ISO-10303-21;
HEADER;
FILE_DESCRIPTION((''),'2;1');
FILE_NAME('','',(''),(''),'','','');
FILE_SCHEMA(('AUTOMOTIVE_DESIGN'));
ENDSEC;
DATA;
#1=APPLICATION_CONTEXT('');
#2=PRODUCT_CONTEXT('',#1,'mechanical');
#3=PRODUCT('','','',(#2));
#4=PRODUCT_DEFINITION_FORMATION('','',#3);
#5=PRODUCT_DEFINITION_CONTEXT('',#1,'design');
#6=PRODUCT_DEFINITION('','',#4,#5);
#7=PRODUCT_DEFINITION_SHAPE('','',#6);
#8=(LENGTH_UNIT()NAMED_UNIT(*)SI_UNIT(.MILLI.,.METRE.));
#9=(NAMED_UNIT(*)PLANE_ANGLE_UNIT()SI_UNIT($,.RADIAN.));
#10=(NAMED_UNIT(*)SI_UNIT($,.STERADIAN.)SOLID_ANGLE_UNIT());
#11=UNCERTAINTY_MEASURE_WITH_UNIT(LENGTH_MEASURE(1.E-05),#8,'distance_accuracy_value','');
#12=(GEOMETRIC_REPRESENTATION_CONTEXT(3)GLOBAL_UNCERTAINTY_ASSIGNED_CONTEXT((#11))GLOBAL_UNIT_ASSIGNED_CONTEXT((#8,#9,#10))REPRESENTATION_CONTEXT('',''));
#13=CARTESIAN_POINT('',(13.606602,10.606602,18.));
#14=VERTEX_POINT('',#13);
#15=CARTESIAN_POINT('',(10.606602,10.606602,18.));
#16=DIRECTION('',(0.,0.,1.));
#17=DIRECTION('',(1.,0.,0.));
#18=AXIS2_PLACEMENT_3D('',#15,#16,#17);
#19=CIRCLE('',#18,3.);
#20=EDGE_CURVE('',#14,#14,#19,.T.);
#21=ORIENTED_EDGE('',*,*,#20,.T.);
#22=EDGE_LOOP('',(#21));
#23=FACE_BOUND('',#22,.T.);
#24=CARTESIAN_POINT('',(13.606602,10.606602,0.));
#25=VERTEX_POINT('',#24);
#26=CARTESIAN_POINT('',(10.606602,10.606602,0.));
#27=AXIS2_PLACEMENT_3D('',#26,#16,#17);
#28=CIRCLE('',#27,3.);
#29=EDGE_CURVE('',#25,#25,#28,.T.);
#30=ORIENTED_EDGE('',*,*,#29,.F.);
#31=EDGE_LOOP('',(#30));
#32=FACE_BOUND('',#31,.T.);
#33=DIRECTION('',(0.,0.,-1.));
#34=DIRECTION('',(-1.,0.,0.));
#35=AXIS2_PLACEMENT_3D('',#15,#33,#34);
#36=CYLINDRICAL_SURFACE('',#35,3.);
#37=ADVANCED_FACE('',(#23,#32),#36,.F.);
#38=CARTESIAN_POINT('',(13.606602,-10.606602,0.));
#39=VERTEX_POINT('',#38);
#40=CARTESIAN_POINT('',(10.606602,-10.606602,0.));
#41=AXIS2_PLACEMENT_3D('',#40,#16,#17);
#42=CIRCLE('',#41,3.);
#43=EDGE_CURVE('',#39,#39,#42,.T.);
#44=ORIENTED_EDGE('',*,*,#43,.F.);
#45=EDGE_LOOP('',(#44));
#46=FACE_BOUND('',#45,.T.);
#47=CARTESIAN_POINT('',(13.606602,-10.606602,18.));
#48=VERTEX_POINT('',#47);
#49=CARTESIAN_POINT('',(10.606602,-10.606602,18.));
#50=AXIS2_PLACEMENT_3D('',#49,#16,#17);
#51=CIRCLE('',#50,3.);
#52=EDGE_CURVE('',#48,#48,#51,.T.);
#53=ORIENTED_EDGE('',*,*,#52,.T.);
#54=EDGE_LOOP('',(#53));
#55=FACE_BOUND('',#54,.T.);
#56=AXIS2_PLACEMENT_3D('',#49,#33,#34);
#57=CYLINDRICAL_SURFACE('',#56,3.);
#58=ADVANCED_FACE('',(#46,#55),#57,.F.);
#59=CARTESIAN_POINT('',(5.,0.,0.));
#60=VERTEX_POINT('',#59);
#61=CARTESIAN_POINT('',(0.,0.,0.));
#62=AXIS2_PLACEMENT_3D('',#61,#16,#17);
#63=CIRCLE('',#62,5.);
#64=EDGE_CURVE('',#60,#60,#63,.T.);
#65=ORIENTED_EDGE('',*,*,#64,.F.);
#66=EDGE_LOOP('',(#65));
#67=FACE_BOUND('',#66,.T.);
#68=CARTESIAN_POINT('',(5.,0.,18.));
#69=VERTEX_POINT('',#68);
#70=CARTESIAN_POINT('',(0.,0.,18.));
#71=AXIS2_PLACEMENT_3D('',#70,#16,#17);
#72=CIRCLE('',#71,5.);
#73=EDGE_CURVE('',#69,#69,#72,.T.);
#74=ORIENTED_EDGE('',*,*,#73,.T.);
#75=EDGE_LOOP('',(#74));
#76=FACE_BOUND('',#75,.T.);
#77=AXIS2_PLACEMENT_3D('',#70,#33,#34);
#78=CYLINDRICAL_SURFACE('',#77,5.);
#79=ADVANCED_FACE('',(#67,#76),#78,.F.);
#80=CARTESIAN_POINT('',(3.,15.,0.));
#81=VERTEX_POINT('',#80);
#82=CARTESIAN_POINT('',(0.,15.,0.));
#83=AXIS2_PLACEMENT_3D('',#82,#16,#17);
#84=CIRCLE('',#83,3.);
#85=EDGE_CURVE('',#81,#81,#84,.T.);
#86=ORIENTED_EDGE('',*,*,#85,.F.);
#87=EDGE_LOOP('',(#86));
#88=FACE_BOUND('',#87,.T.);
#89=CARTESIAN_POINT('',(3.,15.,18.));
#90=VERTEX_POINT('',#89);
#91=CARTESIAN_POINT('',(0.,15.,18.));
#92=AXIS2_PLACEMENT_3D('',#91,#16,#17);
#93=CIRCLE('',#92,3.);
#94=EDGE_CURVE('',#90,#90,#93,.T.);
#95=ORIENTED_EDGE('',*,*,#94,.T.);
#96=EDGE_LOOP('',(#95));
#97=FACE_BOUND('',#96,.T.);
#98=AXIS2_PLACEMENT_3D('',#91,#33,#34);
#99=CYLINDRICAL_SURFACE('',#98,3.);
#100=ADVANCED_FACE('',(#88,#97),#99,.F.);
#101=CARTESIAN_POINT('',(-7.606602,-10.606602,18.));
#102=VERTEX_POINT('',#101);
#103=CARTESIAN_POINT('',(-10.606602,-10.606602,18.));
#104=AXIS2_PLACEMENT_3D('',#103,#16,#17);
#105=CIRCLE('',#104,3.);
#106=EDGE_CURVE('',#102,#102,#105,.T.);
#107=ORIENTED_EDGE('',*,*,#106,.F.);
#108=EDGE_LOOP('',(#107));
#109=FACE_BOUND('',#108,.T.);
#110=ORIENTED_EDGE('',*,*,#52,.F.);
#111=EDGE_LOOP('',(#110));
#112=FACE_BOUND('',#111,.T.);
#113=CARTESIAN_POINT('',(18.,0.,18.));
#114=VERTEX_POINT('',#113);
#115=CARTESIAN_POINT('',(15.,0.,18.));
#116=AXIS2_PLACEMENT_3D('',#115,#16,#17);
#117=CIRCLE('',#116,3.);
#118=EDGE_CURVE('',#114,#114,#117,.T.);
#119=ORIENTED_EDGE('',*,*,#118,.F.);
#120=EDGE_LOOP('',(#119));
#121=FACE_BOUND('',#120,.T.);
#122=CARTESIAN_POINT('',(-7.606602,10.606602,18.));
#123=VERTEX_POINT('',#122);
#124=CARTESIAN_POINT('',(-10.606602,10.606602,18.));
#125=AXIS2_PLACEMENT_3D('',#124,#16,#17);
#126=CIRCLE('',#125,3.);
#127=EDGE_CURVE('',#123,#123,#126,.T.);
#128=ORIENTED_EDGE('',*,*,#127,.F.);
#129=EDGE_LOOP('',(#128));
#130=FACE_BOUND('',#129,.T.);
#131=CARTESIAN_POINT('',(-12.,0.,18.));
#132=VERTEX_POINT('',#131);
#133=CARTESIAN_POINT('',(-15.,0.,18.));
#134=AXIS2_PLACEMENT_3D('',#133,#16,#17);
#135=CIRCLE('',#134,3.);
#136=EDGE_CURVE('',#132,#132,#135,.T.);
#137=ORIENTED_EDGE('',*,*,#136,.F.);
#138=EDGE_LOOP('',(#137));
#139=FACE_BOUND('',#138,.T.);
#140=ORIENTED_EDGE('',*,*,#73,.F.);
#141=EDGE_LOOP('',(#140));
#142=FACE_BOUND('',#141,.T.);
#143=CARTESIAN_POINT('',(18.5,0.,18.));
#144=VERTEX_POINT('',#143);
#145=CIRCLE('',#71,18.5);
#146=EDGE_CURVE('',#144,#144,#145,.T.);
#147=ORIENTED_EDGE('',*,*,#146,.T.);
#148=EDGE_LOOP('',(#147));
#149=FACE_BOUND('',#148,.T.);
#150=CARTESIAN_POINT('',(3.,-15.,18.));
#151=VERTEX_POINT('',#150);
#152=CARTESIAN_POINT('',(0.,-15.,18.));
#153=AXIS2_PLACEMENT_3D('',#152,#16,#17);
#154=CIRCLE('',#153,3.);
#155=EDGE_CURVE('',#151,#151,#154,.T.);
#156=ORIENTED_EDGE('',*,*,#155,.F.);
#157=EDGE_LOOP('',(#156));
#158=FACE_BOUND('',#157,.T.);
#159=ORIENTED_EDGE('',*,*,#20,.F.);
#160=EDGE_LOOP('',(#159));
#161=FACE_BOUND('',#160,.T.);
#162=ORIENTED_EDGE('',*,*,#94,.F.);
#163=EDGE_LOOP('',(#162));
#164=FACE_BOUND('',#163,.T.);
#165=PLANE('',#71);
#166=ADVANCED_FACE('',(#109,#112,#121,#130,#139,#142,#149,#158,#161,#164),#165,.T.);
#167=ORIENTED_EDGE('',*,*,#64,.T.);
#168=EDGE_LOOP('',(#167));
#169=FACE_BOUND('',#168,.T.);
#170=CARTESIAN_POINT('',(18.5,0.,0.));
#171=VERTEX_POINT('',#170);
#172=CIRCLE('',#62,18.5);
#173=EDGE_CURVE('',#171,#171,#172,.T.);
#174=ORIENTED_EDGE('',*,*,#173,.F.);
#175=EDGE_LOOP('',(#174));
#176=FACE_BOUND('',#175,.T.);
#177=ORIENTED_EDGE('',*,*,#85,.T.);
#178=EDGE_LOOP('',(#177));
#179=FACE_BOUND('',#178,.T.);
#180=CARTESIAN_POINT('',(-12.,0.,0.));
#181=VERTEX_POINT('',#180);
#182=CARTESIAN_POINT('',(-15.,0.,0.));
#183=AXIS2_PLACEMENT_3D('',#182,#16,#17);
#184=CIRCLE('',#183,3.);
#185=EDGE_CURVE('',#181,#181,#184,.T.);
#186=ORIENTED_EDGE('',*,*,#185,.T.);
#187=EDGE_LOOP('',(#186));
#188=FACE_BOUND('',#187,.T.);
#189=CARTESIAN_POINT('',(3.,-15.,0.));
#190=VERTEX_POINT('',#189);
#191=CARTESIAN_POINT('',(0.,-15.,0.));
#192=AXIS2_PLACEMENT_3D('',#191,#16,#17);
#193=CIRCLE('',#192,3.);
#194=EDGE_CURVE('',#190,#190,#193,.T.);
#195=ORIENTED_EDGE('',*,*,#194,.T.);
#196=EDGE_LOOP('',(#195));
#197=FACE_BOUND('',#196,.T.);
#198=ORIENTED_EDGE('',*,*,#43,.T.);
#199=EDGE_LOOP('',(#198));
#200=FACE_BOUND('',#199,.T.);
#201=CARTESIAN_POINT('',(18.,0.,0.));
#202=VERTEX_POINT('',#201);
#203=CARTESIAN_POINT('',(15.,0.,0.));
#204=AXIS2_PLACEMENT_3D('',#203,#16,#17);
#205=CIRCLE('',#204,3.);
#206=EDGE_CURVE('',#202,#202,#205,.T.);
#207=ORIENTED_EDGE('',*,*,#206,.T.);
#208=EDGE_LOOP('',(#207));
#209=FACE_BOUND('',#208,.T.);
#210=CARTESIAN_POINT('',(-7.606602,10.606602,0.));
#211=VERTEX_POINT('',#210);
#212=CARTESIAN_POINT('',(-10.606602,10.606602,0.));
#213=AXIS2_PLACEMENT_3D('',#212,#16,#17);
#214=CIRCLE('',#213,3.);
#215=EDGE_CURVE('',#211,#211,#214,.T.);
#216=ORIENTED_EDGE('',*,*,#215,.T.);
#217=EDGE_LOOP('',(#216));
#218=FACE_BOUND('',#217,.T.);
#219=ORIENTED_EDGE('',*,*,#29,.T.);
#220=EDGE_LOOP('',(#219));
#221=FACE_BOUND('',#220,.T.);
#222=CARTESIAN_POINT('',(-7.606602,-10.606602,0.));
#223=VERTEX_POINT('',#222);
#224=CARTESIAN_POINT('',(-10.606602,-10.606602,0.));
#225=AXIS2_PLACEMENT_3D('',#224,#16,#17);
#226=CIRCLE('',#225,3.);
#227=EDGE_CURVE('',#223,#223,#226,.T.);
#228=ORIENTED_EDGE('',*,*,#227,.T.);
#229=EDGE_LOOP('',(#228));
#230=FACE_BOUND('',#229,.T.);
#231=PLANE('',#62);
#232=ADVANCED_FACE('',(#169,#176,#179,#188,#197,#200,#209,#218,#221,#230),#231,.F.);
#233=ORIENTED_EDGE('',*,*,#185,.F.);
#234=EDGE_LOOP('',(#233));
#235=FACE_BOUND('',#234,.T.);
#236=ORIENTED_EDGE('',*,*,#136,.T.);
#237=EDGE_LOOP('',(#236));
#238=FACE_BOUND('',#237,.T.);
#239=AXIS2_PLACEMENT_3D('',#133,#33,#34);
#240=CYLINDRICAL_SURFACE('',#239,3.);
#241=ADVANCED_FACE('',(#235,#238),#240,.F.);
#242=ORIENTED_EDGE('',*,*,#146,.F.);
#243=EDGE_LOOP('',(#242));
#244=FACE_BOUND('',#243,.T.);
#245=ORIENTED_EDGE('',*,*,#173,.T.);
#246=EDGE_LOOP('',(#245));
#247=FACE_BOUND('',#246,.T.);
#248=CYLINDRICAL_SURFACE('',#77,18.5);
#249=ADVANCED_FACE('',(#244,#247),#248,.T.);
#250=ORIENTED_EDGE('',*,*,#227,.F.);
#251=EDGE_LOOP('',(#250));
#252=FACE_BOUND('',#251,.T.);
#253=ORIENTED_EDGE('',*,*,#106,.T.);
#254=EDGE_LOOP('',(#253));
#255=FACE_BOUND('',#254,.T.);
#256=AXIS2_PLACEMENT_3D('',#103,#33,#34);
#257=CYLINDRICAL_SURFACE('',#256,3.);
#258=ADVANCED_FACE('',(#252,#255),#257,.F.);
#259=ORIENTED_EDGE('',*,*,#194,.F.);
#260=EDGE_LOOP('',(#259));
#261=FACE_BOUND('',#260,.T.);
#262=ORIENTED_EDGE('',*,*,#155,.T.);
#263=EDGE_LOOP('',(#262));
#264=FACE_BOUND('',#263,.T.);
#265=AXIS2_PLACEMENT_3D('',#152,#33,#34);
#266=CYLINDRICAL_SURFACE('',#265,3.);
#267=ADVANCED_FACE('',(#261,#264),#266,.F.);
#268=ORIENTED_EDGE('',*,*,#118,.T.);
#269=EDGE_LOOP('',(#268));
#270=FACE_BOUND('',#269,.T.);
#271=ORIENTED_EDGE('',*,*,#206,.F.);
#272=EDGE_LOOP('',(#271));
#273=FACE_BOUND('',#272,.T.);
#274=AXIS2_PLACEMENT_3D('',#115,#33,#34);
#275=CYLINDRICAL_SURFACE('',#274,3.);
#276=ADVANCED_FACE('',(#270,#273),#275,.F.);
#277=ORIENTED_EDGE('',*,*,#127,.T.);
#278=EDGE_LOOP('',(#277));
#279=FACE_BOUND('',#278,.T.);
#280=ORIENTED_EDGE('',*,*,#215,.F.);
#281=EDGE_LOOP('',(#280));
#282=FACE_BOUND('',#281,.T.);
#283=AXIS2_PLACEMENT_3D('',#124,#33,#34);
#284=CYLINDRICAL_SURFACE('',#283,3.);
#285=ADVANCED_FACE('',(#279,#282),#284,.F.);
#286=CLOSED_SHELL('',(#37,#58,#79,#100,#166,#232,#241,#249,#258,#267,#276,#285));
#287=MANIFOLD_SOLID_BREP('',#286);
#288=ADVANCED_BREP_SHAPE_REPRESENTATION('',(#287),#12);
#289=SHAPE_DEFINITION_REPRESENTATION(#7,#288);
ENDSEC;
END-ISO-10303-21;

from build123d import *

# Parameters (mm, degrees)
SKETCH_1_R      = 18.5
SKETCH_1_R_2    = 3
SKETCH_1_R_3    = 5
EXTRUDE_1_DEPTH = 18


with BuildPart() as part:
    # 草图1 → 凸台-拉伸1 (new body)
    with BuildSketch(Plane.XY):
        Circle(SKETCH_1_R)
        with Locations((15, 0)):
            Circle(SKETCH_1_R_2, mode=Mode.SUBTRACT)
        with Locations((10.606601718, -10.606601718)):
            Circle(SKETCH_1_R_2, mode=Mode.SUBTRACT)
        with Locations((0, -15)):
            Circle(SKETCH_1_R_2, mode=Mode.SUBTRACT)
        with Locations((-10.606601718, -10.606601718)):
            Circle(SKETCH_1_R_2, mode=Mode.SUBTRACT)
        with Locations((-15, 0)):
            Circle(SKETCH_1_R_2, mode=Mode.SUBTRACT)
        with Locations((-10.606601718, 10.606601718)):
            Circle(SKETCH_1_R_2, mode=Mode.SUBTRACT)
        with Locations((0, 15)):
            Circle(SKETCH_1_R_2, mode=Mode.SUBTRACT)
        with Locations((10.606601718, 10.606601718)):
            Circle(SKETCH_1_R_2, mode=Mode.SUBTRACT)
        Circle(SKETCH_1_R_3, mode=Mode.SUBTRACT)
    extrude(amount=EXTRUDE_1_DEPTH)


solid = part.part
